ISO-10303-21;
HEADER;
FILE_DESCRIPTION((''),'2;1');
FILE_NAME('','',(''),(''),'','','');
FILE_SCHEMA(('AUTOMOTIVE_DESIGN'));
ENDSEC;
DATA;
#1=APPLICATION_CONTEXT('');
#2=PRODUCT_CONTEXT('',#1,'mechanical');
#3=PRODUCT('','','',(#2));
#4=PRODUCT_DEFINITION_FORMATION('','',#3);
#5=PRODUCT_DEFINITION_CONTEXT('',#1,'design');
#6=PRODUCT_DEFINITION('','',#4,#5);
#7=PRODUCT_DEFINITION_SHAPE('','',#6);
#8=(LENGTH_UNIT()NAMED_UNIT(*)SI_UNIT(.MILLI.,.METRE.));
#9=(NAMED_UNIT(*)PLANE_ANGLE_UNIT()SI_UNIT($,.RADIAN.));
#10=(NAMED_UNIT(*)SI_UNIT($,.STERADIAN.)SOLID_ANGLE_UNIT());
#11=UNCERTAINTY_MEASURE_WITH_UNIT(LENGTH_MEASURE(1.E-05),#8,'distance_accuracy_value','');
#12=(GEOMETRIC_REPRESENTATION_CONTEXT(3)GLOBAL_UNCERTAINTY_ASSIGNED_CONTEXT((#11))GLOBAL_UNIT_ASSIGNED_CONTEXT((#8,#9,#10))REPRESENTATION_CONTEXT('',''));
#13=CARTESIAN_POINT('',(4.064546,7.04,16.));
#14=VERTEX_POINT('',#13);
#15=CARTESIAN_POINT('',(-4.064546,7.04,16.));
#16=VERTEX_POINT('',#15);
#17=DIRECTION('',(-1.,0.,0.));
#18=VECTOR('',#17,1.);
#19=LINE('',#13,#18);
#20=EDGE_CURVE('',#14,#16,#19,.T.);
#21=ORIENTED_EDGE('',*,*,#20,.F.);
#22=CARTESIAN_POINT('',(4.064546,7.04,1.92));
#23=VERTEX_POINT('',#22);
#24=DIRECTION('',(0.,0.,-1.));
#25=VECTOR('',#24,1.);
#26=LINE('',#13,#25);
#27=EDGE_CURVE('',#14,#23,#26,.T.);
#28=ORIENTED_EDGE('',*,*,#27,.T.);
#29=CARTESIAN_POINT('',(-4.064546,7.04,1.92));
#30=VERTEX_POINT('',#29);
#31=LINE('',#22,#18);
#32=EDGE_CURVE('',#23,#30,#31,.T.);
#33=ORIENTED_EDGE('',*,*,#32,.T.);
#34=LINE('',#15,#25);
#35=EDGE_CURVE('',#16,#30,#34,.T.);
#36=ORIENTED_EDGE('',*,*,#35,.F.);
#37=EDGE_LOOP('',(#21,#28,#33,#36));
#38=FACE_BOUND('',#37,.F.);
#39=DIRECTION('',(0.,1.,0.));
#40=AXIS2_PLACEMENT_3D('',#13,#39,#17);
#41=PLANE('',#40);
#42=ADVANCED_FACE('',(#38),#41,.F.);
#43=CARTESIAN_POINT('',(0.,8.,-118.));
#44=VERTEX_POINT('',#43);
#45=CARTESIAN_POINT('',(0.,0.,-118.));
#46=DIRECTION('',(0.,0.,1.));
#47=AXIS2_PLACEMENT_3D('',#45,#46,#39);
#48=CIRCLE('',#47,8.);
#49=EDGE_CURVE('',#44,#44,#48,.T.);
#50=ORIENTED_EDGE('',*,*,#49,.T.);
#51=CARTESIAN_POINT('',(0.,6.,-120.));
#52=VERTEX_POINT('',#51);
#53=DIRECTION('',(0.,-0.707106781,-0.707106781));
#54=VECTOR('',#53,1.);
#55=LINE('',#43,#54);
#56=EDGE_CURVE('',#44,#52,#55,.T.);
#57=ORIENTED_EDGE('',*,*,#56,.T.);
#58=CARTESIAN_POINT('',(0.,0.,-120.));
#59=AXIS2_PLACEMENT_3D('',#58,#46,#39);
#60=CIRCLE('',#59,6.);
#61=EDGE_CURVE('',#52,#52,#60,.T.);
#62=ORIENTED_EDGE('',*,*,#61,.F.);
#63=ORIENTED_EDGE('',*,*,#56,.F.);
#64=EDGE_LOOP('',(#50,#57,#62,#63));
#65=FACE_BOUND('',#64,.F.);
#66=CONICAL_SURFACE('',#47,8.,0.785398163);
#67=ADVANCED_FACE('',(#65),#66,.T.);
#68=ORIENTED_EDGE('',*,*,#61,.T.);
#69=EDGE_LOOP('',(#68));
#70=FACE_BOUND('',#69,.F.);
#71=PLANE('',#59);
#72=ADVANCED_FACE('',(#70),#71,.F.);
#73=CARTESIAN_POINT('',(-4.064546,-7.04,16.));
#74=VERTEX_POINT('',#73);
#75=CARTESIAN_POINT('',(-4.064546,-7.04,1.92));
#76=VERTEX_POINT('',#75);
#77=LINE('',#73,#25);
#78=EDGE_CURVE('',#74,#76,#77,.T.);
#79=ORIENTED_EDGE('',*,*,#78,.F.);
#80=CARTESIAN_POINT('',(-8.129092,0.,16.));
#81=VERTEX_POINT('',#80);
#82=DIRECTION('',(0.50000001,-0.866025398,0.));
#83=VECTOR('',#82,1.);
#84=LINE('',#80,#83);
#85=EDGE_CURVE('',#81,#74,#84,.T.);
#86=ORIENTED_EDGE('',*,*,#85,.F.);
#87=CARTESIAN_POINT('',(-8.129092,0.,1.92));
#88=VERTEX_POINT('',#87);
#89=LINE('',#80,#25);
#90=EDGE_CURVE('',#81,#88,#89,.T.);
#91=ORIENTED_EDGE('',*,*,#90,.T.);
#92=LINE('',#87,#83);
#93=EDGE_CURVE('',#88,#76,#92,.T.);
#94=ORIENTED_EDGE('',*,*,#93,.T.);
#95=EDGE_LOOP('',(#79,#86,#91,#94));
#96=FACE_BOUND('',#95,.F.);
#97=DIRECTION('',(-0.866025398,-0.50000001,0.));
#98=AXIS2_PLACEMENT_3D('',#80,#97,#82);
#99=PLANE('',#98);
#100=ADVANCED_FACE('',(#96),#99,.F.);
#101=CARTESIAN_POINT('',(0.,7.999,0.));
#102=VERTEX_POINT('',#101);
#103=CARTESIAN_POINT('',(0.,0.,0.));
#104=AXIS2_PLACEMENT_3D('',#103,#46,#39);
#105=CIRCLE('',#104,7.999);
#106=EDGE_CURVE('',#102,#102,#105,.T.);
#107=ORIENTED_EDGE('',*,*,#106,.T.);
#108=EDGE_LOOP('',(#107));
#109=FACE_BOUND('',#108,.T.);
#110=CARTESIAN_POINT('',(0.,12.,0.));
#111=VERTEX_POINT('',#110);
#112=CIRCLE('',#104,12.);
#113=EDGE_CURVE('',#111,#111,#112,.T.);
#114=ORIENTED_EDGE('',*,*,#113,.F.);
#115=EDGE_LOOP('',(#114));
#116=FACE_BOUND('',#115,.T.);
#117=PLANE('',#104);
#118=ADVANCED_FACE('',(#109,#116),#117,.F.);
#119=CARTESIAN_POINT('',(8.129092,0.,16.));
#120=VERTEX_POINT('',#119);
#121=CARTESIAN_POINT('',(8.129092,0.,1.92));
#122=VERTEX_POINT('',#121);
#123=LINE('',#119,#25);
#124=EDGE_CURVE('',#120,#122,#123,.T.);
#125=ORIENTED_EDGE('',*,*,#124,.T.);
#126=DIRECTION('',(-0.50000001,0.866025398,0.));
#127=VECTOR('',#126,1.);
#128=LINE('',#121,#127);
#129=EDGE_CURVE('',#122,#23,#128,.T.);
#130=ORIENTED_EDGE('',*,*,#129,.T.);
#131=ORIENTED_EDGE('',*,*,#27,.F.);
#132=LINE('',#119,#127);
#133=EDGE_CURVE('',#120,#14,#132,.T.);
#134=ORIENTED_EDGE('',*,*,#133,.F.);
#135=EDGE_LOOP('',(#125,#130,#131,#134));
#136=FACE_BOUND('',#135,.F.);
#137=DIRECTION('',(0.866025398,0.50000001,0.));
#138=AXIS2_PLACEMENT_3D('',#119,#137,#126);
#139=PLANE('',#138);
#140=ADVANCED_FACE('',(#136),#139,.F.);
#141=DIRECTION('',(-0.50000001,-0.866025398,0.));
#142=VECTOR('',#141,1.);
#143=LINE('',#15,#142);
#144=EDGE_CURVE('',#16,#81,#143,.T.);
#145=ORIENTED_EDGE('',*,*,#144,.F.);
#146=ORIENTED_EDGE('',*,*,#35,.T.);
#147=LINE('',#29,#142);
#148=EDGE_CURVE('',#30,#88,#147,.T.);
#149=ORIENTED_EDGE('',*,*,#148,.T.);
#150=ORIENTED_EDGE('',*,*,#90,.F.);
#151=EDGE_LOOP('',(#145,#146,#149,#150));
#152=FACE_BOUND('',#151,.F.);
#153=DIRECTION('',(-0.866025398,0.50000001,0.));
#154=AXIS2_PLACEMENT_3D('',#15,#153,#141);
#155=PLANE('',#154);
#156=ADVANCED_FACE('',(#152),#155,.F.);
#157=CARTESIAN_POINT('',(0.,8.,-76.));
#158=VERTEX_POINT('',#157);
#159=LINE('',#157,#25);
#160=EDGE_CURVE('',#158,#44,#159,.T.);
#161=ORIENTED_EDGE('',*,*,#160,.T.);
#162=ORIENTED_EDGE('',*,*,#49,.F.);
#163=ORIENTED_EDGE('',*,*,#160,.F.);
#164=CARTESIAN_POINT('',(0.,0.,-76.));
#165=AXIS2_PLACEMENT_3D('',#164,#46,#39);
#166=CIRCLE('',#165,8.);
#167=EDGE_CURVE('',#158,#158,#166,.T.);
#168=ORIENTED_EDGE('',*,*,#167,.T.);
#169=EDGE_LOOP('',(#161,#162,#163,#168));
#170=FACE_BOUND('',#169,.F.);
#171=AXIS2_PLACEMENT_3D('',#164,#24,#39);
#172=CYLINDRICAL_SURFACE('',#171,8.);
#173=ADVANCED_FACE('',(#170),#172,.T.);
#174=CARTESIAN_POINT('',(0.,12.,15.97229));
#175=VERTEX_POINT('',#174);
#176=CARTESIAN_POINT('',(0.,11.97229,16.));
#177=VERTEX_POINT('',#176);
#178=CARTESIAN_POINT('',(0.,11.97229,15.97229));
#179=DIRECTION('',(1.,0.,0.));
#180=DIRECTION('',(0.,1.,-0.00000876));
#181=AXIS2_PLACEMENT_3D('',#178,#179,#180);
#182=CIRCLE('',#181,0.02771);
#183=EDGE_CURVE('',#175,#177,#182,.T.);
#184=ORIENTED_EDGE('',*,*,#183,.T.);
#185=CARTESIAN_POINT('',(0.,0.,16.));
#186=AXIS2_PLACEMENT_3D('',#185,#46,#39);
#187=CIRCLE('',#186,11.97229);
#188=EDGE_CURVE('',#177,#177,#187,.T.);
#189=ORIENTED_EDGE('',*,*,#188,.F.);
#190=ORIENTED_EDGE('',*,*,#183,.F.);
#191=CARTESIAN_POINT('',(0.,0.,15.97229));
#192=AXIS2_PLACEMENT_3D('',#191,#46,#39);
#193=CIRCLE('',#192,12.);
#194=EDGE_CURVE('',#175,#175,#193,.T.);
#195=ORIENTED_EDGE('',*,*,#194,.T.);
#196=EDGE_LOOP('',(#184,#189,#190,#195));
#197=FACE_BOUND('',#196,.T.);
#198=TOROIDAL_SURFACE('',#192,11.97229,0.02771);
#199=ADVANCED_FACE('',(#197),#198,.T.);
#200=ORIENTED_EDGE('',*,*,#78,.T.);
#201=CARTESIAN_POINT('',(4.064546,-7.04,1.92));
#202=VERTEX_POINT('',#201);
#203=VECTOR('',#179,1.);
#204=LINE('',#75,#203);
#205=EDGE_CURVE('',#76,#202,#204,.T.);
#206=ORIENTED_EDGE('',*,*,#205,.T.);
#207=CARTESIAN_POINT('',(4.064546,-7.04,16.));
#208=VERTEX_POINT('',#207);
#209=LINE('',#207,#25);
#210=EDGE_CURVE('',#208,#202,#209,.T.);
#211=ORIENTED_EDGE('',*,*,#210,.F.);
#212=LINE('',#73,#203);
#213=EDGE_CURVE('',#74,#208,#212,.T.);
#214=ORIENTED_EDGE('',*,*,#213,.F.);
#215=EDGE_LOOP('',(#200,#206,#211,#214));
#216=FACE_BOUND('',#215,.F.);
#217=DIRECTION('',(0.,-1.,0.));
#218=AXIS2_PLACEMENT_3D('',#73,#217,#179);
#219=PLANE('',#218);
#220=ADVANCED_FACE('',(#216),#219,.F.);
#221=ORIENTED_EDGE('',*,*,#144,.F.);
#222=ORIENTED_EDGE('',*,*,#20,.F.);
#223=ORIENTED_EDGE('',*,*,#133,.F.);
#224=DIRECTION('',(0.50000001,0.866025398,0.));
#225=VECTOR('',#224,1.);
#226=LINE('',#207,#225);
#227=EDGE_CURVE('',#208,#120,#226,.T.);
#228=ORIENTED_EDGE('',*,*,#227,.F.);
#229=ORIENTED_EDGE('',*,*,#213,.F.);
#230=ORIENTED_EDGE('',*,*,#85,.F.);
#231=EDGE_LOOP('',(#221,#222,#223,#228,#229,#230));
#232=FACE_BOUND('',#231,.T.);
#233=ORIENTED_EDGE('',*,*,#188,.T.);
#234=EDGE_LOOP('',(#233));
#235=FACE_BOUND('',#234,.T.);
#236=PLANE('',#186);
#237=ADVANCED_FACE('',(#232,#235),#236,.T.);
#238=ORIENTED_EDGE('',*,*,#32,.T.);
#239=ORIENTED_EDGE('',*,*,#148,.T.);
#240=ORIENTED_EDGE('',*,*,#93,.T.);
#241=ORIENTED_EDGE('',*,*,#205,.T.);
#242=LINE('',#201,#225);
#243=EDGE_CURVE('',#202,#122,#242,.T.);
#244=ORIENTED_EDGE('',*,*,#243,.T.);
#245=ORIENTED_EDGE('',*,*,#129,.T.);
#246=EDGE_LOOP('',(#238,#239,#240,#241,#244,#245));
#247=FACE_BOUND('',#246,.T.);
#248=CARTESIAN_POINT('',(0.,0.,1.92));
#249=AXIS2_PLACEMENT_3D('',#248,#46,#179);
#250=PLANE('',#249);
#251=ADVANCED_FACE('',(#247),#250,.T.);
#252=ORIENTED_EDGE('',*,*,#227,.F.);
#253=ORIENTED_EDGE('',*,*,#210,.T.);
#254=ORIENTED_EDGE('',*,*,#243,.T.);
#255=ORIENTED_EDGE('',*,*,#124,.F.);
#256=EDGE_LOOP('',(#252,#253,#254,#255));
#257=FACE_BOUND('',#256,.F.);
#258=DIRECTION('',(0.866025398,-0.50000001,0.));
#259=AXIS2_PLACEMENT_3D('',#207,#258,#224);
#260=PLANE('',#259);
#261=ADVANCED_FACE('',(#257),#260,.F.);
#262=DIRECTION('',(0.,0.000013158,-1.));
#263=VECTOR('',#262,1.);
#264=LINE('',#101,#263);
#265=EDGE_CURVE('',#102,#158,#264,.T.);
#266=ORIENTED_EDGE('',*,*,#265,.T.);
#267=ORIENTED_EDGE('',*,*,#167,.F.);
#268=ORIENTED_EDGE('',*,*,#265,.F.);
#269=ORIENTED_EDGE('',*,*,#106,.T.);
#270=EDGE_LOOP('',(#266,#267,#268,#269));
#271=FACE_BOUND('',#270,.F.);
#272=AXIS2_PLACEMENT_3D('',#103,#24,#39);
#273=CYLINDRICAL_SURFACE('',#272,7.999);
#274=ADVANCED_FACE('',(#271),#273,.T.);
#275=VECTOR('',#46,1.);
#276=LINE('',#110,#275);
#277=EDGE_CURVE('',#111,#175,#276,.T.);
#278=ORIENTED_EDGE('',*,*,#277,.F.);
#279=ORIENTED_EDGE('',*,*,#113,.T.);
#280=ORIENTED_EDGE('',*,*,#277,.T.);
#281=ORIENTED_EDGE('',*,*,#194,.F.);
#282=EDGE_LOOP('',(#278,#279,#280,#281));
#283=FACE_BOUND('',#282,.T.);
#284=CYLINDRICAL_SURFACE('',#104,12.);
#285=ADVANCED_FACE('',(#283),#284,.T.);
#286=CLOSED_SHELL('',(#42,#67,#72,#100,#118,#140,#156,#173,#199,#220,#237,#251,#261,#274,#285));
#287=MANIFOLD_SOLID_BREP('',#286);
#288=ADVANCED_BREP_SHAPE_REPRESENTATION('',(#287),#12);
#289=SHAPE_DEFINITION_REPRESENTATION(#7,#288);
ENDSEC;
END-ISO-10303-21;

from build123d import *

# Parameters (mm, degrees)
POCKET_DEPTH = 14.08


with BuildPart() as part:
    # Sketch → Revolve (revolve)
    with BuildSketch(Plane.YZ):
        with BuildLine():
            Line((7.999, 0), (12, 0))
            Line((12, 0), (12, 15.97229))
            ThreePointArc((12, 15.97229), (11.991884, 15.991884), (11.97229, 16))
            Line((11.97229, 16), (0, 16))
            Line((0, -120), (0, 16))
            Line((6, -120), (0, -120))
            Line((8, -118), (6, -120))
            Line((8, -76), (8, -118))
            Line((7.999, 0), (8, -76))
        make_face()
    revolve(axis=Axis((0, 0, 0), (0, 0, 1)))

    # Sketch001 → Pocket (cut)
    with BuildSketch(Plane.XY.offset(16)):
        Polygon((8.129092, 0), (4.064546, 7.04), (-4.064546, 7.04), (-8.129092, 0), (-4.064546, -7.04), (4.064546, -7.04), align=None)
    extrude(amount=-POCKET_DEPTH, mode=Mode.SUBTRACT)


solid = part.part
